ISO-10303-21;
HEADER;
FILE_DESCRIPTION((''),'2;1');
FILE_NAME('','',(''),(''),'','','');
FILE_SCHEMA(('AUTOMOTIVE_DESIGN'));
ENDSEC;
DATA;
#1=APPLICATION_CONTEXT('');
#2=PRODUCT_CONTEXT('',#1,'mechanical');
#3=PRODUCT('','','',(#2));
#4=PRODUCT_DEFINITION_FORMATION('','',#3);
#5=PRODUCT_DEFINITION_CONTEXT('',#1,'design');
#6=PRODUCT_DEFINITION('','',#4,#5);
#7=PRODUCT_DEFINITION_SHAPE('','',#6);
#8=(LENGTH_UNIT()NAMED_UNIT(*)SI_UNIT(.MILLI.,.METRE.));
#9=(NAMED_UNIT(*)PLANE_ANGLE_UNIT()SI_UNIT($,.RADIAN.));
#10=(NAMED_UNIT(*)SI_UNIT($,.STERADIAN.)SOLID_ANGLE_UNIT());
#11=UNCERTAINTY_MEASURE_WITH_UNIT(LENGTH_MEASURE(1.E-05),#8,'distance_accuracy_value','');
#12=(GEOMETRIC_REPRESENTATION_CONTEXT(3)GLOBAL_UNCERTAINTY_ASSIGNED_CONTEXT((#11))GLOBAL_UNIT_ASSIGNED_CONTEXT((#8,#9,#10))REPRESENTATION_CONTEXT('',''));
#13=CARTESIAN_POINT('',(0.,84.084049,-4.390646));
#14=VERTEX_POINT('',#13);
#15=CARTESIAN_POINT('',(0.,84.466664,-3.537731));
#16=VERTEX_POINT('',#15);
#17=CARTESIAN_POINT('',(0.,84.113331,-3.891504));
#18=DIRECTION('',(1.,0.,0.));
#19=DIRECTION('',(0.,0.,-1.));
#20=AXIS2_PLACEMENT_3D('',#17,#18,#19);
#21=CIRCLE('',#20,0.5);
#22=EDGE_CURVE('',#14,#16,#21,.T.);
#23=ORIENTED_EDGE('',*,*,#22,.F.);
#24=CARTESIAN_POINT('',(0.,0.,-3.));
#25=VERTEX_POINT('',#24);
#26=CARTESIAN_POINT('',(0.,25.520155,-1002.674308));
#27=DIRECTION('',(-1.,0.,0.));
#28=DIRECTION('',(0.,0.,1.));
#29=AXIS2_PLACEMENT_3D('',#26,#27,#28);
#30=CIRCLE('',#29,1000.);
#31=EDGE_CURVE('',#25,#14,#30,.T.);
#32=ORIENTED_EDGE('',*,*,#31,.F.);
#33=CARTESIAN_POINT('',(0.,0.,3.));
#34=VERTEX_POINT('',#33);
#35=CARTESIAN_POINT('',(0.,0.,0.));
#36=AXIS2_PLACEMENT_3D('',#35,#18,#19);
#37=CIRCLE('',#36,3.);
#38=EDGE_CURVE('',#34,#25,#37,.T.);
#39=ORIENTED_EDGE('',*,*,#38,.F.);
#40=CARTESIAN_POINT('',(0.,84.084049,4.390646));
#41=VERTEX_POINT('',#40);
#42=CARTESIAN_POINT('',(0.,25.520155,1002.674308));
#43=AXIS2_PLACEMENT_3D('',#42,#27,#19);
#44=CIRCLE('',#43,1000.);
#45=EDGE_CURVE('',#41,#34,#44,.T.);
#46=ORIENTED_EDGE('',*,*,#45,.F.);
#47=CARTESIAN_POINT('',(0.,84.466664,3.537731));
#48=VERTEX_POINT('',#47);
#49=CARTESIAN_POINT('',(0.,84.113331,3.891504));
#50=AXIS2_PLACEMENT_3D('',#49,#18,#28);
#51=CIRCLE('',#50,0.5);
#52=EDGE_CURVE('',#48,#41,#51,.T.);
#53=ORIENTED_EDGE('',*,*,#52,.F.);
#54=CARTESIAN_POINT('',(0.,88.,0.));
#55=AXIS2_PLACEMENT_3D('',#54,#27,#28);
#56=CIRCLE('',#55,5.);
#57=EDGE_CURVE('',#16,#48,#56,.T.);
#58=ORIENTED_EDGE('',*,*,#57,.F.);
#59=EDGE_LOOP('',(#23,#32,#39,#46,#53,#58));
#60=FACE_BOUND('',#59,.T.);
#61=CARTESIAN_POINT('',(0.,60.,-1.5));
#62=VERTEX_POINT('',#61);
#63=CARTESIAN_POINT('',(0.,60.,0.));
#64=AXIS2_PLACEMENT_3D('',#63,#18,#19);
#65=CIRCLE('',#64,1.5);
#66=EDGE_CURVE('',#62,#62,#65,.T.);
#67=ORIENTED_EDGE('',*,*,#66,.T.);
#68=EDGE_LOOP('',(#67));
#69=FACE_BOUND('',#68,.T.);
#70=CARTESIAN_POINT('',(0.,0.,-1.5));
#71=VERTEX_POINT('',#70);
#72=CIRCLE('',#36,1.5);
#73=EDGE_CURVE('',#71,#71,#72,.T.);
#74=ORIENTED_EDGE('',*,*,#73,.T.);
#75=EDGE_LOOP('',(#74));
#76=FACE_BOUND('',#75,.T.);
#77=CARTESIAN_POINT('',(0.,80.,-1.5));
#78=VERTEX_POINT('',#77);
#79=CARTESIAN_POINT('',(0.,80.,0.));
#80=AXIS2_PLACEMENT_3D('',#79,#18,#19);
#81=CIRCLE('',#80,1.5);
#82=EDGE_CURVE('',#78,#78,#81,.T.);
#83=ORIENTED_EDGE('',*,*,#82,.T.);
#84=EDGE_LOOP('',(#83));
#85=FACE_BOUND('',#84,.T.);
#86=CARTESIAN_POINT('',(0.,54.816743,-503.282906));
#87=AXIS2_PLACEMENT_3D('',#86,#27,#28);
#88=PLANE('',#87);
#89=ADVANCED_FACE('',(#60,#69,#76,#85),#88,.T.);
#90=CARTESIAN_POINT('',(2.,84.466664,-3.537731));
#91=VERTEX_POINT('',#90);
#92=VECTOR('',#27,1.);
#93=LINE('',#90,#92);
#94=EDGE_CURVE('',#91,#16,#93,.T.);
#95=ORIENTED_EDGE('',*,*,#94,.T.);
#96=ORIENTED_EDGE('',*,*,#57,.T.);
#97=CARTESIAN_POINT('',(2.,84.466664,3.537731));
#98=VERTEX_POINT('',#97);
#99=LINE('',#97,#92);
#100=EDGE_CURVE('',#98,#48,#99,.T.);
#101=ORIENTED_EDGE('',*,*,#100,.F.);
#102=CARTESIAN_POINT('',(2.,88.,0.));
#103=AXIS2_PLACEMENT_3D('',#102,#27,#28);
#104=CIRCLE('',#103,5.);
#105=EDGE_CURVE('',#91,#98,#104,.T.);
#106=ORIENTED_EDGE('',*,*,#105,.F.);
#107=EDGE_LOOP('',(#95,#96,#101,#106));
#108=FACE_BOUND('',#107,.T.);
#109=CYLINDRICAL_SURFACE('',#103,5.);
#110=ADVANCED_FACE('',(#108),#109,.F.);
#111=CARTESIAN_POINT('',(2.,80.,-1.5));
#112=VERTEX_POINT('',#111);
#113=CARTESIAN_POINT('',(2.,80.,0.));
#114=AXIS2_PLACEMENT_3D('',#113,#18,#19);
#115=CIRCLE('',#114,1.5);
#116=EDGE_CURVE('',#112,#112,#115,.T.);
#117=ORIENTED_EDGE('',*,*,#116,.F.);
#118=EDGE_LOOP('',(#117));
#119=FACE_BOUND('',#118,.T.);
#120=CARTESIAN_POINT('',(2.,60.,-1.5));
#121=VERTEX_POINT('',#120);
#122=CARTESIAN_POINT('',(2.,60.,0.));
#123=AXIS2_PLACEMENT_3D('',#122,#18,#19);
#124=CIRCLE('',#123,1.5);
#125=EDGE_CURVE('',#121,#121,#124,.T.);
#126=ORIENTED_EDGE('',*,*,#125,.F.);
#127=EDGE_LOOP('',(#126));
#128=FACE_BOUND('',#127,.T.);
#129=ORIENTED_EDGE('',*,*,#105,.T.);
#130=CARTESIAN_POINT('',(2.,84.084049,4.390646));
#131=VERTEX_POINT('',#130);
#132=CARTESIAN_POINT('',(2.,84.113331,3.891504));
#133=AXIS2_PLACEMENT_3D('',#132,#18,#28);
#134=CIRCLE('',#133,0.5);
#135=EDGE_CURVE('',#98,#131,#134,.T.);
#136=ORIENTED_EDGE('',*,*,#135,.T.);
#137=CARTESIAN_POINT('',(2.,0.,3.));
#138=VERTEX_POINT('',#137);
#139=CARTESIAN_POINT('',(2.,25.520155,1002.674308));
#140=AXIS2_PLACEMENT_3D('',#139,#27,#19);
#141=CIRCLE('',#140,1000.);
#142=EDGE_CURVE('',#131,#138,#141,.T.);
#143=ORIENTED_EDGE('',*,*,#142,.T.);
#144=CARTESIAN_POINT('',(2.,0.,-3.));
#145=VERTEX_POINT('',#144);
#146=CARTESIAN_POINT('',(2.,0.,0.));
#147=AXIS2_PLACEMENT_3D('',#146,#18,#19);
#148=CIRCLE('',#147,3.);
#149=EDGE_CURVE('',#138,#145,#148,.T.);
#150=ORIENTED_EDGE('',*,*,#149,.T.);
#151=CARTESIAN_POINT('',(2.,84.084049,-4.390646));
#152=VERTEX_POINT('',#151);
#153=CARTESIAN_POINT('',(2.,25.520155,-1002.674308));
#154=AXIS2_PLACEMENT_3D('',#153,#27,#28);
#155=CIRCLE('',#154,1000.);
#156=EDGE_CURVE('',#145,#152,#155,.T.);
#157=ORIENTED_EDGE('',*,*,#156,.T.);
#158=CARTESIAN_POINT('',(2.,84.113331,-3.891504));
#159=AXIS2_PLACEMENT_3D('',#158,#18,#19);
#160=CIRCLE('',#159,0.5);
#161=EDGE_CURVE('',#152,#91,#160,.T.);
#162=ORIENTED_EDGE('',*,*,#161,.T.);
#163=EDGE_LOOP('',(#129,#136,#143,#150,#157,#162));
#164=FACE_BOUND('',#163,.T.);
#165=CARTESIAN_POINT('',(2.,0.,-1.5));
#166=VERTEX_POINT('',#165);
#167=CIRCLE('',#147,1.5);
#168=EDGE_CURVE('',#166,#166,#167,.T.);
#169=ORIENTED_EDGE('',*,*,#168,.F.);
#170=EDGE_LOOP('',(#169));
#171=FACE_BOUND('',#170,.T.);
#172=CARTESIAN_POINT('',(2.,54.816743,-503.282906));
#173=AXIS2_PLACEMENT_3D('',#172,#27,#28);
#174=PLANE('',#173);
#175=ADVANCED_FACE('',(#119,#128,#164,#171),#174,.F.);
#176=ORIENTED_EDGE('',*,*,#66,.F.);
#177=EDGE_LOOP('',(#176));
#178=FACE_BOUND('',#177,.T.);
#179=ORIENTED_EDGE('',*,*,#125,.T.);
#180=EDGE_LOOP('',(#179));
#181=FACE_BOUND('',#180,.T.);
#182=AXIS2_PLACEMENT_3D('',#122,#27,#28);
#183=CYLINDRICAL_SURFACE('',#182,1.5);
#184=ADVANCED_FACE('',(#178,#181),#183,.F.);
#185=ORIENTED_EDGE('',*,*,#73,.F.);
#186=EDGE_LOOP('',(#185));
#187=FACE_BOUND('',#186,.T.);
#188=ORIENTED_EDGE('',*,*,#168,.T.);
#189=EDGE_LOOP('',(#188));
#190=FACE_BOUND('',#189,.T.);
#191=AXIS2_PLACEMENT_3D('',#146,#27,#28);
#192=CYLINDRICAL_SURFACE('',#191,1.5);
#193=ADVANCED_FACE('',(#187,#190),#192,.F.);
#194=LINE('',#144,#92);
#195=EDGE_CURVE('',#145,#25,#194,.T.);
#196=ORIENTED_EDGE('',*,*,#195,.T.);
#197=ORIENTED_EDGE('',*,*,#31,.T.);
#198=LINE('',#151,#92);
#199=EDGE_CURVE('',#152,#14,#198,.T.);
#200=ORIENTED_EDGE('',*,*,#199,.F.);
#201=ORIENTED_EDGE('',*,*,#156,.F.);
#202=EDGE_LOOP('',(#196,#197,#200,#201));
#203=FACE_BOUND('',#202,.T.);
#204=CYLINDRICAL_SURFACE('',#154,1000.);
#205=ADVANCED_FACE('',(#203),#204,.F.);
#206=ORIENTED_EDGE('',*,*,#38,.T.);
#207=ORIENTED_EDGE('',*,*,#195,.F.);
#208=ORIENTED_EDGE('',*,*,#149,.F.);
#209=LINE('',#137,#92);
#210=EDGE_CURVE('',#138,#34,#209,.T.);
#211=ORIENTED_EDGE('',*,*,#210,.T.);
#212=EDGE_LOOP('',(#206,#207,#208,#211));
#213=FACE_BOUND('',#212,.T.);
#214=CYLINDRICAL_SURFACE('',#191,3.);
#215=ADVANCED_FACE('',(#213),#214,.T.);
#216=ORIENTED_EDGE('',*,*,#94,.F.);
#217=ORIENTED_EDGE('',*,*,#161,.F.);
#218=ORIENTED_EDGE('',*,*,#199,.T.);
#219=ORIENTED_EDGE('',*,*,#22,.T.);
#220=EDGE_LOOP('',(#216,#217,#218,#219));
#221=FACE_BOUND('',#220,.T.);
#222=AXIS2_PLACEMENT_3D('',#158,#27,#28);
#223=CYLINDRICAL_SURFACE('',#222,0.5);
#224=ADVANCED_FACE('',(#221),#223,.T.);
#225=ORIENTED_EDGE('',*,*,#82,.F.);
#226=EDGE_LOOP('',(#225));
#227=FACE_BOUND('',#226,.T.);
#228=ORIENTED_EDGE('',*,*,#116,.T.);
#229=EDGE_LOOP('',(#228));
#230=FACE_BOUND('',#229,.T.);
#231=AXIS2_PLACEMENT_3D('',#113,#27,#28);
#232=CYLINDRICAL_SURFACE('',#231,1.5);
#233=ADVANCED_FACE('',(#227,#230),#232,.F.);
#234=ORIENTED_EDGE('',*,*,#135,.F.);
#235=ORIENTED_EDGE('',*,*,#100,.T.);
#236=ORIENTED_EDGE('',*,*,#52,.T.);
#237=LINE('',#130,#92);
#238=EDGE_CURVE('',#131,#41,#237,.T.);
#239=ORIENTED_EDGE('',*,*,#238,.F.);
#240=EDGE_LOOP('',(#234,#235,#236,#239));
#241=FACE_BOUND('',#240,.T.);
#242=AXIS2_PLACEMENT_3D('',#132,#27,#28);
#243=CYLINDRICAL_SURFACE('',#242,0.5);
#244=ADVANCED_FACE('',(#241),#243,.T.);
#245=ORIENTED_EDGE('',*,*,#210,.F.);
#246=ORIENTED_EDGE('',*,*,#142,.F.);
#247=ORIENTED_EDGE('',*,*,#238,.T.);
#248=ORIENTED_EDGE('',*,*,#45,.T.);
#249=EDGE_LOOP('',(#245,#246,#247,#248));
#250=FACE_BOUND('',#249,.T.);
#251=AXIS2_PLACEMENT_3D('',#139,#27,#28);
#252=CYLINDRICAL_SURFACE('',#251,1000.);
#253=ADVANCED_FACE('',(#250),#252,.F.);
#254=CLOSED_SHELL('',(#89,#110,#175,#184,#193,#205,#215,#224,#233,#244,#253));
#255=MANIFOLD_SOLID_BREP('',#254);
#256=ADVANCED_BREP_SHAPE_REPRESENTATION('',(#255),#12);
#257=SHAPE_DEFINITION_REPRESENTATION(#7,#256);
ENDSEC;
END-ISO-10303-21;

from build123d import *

# Parameters (mm, degrees)
SKETCH_1_R      = 1.5
EXTRUDE_1_DEPTH = 2


with BuildPart() as part:
    # 草图1 → 凸台-拉伸1 (new body)
    with BuildSketch(Plane(origin=(0, 0, 0), x_dir=(0, 0, -1), z_dir=(1, 0, 0))):
        with BuildLine():
            ThreePointArc((-3, 0), (0, -3), (3, 0))
            ThreePointArc((3, 0), (2.811044981, 42.056649193), (4.390645546, 84.084048678))
            ThreePointArc((4.390645546, 84.084048678), (4.096153855, 84.569530493), (3.53773065, 84.466664204))
            ThreePointArc((3.53773065, 84.466664204), (0, 83), (-3.53773065, 84.466664204))
            ThreePointArc((-3.53773065, 84.466664204), (-4.096153855, 84.569530493), (-4.390645546, 84.084048678))
            ThreePointArc((-4.390645546, 84.084048678), (-2.811044981, 42.056649193), (-3, 0))
        make_face()
        with Locations((0, 80)):
            Circle(SKETCH_1_R, mode=Mode.SUBTRACT)
        with Locations((0, 60)):
            Circle(SKETCH_1_R, mode=Mode.SUBTRACT)
        Circle(SKETCH_1_R, mode=Mode.SUBTRACT)
    extrude(amount=EXTRUDE_1_DEPTH)


solid = part.part
